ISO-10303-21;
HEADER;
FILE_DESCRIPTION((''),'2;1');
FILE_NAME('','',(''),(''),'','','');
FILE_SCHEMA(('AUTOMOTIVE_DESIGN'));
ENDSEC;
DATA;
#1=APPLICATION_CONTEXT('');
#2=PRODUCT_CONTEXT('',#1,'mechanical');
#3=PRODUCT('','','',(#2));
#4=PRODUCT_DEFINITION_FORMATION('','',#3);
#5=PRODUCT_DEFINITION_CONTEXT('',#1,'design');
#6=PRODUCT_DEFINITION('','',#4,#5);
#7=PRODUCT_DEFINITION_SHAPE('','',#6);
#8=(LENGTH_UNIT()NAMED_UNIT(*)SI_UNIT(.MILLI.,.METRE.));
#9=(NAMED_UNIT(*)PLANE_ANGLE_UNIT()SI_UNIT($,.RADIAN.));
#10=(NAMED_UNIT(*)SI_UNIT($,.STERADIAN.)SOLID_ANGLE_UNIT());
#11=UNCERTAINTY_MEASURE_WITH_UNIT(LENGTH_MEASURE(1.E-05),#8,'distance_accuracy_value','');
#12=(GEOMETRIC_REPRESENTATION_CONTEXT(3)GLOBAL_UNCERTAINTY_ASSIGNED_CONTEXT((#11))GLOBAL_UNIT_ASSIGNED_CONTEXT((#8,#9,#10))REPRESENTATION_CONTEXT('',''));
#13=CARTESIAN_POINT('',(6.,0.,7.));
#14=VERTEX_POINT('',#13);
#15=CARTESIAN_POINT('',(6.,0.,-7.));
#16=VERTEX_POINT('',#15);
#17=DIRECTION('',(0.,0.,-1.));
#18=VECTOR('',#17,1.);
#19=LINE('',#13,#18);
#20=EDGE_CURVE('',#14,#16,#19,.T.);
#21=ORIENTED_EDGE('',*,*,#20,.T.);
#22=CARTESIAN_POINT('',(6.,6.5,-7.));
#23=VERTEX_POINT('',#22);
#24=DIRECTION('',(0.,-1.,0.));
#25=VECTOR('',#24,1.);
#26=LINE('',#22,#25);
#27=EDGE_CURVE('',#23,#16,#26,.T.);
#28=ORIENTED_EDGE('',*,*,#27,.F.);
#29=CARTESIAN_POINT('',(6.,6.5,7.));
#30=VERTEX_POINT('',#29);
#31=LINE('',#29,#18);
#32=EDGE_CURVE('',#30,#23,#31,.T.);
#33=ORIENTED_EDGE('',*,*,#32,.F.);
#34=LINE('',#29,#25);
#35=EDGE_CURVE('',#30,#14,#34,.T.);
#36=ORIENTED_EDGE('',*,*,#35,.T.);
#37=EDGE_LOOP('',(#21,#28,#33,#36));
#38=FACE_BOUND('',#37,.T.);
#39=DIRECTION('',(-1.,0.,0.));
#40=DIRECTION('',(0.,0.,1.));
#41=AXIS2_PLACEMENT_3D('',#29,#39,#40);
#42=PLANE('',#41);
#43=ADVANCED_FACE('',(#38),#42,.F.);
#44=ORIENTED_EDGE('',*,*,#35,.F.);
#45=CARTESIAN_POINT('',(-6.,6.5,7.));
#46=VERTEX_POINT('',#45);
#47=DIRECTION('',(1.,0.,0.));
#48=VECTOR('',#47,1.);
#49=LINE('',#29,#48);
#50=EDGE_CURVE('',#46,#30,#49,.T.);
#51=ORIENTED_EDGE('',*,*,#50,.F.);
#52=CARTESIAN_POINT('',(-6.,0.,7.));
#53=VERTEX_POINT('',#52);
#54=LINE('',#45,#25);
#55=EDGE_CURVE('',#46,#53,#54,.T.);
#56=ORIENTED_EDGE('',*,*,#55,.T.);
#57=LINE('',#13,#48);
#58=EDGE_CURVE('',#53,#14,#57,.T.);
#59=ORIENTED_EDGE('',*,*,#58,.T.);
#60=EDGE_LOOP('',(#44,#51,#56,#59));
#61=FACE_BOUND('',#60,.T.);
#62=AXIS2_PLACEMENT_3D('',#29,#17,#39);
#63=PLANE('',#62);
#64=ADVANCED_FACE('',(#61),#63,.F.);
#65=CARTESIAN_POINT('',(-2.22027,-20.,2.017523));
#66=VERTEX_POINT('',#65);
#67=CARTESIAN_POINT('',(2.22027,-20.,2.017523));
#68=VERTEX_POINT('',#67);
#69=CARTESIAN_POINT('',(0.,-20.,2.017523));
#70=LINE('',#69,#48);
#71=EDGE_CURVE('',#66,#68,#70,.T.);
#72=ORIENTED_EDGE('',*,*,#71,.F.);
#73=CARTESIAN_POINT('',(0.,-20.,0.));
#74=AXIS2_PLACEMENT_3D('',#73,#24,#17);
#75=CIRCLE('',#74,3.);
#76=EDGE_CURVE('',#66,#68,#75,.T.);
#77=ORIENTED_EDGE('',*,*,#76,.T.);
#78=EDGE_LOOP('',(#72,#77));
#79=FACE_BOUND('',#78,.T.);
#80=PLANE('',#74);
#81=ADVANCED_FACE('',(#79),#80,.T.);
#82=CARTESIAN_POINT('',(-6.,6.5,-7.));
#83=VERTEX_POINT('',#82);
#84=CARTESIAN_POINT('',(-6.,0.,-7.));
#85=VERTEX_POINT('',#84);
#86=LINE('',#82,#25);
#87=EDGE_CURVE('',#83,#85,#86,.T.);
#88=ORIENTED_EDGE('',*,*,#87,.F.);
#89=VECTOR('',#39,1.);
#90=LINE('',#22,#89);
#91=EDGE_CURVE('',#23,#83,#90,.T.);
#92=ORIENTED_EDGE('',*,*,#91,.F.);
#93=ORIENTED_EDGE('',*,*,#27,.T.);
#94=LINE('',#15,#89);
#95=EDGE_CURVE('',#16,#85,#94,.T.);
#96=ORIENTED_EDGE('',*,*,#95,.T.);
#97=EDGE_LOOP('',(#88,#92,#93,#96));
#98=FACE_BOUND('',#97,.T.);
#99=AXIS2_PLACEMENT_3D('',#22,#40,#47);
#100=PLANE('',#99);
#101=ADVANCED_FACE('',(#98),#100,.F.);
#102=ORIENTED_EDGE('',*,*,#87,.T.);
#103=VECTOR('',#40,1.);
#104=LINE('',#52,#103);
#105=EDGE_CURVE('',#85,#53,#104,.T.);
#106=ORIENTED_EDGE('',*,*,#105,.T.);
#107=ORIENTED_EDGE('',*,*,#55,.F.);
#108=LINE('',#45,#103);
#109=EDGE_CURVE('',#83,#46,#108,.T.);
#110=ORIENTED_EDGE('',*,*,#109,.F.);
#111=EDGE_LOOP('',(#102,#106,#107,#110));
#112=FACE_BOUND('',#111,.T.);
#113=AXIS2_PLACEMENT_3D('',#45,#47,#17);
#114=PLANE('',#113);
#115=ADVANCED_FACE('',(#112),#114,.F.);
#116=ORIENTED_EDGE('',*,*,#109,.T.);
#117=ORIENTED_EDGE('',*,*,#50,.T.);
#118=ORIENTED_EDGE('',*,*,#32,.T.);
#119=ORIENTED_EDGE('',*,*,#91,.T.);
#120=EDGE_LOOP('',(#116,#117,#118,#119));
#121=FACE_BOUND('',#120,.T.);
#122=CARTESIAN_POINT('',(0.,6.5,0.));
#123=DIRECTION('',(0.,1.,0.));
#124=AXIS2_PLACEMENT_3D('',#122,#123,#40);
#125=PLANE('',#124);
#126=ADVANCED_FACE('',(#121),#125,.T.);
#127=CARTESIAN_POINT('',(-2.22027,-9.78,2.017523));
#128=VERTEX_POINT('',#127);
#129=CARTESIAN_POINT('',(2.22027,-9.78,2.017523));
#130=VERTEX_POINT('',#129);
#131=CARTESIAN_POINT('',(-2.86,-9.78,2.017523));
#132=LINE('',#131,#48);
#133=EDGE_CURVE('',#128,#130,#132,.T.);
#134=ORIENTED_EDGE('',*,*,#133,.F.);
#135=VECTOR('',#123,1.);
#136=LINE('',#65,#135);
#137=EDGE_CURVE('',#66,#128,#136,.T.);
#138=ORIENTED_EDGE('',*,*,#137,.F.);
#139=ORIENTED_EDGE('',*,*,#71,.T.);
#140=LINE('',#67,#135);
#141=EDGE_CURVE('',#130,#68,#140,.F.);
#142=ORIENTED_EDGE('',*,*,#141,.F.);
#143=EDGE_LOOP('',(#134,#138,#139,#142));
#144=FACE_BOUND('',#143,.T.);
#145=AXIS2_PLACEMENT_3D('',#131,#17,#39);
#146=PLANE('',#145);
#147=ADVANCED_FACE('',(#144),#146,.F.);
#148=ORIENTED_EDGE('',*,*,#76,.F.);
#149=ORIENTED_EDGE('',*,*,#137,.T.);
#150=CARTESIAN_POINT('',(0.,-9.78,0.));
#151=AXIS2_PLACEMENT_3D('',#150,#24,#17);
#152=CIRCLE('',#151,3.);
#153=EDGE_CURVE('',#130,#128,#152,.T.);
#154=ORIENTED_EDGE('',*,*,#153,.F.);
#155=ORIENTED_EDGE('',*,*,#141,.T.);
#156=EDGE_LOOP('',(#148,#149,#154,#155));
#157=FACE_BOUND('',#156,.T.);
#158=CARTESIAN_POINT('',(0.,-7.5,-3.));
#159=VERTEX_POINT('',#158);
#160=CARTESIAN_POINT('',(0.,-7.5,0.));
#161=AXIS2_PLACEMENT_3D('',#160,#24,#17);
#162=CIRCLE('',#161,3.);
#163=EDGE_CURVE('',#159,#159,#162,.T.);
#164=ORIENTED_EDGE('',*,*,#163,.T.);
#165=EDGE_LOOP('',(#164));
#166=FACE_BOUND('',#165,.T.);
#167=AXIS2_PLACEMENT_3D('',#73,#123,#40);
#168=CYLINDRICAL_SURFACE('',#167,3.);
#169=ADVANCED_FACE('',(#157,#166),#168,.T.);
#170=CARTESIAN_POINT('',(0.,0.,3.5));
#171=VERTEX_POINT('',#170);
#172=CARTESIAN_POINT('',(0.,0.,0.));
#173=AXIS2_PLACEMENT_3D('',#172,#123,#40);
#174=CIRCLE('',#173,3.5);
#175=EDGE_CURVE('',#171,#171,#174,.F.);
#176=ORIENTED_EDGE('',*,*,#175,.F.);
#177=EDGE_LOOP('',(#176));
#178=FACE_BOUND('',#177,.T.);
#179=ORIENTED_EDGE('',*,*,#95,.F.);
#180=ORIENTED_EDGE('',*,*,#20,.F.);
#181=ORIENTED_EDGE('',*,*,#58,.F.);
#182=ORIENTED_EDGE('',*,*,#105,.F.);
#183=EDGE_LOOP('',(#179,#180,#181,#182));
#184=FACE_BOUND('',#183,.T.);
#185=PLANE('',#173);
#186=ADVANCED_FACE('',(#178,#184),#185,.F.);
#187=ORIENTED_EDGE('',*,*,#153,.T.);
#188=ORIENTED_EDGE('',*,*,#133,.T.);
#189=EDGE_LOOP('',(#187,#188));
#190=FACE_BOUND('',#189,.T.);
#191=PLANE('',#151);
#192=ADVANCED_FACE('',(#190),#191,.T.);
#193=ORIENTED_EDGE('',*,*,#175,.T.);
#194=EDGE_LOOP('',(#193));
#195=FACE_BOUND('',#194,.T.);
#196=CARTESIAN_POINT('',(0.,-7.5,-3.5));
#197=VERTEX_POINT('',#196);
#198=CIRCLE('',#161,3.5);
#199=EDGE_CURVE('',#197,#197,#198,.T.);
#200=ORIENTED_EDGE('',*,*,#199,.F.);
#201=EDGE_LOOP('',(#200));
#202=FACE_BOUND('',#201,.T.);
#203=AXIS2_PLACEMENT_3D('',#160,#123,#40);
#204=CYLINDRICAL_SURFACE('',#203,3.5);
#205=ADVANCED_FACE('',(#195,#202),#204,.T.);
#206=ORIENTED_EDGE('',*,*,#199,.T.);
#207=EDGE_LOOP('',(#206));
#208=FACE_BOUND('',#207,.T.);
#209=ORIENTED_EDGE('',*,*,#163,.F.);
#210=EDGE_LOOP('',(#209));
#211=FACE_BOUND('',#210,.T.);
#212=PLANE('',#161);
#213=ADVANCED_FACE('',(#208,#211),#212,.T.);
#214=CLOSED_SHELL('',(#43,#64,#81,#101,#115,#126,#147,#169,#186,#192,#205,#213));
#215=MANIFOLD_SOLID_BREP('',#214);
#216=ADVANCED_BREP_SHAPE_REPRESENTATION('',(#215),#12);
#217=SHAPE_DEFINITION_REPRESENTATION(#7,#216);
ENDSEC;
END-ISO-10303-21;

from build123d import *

# Parameters (mm, degrees)
SKETCH1_W           = 12
SKETCH1_H           = 14
BOSS_EXTRUDE1_DEPTH = 6.5
SKETCH2_R           = 3.5
BOSS_EXTRUDE2_DEPTH = 7.5
SKETCH3_R           = 3
BOSS_EXTRUDE3_DEPTH = 12.5
CUT_EXTRUDE1_START  = -10.22
CUT_EXTRUDE1_DEPTH  = 10.22


with BuildPart() as part:
    # Sketch1 → Boss-Extrude1 (new body)
    with BuildSketch(Plane(origin=(0, 0, 0), x_dir=(1, 0, 0), z_dir=(0, 1, 0))):
        Rectangle(SKETCH1_W, SKETCH1_H)
    extrude(amount=BOSS_EXTRUDE1_DEPTH)

    # Sketch2 → Boss-Extrude2 (add)
    with BuildSketch(Plane.XZ):
        with Locations(Location((0, 0, 0), (0, 0, 90))):
            Circle(SKETCH2_R)
    extrude(amount=BOSS_EXTRUDE2_DEPTH)

    # Sketch3 → Boss-Extrude3 (add)
    with BuildSketch(Plane.XZ.offset(7.5)):
        with Locations(Location((0, 0, 0), (0, 0, 270))):
            Circle(SKETCH3_R)
    extrude(amount=BOSS_EXTRUDE3_DEPTH)

    # Sketch4 → Cut-Extrude1 (cut)
    with BuildSketch(Plane.XZ.offset(20).offset(CUT_EXTRUDE1_START)):
        with BuildLine():
            Line((-2.86, 2.017523234), (2.86, 2.017523234))
            ThreePointArc((2.86, 2.017523234), (0, 3.5), (-2.86, 2.017523234))
        make_face()
    extrude(amount=CUT_EXTRUDE1_DEPTH, mode=Mode.SUBTRACT)


solid = part.part
